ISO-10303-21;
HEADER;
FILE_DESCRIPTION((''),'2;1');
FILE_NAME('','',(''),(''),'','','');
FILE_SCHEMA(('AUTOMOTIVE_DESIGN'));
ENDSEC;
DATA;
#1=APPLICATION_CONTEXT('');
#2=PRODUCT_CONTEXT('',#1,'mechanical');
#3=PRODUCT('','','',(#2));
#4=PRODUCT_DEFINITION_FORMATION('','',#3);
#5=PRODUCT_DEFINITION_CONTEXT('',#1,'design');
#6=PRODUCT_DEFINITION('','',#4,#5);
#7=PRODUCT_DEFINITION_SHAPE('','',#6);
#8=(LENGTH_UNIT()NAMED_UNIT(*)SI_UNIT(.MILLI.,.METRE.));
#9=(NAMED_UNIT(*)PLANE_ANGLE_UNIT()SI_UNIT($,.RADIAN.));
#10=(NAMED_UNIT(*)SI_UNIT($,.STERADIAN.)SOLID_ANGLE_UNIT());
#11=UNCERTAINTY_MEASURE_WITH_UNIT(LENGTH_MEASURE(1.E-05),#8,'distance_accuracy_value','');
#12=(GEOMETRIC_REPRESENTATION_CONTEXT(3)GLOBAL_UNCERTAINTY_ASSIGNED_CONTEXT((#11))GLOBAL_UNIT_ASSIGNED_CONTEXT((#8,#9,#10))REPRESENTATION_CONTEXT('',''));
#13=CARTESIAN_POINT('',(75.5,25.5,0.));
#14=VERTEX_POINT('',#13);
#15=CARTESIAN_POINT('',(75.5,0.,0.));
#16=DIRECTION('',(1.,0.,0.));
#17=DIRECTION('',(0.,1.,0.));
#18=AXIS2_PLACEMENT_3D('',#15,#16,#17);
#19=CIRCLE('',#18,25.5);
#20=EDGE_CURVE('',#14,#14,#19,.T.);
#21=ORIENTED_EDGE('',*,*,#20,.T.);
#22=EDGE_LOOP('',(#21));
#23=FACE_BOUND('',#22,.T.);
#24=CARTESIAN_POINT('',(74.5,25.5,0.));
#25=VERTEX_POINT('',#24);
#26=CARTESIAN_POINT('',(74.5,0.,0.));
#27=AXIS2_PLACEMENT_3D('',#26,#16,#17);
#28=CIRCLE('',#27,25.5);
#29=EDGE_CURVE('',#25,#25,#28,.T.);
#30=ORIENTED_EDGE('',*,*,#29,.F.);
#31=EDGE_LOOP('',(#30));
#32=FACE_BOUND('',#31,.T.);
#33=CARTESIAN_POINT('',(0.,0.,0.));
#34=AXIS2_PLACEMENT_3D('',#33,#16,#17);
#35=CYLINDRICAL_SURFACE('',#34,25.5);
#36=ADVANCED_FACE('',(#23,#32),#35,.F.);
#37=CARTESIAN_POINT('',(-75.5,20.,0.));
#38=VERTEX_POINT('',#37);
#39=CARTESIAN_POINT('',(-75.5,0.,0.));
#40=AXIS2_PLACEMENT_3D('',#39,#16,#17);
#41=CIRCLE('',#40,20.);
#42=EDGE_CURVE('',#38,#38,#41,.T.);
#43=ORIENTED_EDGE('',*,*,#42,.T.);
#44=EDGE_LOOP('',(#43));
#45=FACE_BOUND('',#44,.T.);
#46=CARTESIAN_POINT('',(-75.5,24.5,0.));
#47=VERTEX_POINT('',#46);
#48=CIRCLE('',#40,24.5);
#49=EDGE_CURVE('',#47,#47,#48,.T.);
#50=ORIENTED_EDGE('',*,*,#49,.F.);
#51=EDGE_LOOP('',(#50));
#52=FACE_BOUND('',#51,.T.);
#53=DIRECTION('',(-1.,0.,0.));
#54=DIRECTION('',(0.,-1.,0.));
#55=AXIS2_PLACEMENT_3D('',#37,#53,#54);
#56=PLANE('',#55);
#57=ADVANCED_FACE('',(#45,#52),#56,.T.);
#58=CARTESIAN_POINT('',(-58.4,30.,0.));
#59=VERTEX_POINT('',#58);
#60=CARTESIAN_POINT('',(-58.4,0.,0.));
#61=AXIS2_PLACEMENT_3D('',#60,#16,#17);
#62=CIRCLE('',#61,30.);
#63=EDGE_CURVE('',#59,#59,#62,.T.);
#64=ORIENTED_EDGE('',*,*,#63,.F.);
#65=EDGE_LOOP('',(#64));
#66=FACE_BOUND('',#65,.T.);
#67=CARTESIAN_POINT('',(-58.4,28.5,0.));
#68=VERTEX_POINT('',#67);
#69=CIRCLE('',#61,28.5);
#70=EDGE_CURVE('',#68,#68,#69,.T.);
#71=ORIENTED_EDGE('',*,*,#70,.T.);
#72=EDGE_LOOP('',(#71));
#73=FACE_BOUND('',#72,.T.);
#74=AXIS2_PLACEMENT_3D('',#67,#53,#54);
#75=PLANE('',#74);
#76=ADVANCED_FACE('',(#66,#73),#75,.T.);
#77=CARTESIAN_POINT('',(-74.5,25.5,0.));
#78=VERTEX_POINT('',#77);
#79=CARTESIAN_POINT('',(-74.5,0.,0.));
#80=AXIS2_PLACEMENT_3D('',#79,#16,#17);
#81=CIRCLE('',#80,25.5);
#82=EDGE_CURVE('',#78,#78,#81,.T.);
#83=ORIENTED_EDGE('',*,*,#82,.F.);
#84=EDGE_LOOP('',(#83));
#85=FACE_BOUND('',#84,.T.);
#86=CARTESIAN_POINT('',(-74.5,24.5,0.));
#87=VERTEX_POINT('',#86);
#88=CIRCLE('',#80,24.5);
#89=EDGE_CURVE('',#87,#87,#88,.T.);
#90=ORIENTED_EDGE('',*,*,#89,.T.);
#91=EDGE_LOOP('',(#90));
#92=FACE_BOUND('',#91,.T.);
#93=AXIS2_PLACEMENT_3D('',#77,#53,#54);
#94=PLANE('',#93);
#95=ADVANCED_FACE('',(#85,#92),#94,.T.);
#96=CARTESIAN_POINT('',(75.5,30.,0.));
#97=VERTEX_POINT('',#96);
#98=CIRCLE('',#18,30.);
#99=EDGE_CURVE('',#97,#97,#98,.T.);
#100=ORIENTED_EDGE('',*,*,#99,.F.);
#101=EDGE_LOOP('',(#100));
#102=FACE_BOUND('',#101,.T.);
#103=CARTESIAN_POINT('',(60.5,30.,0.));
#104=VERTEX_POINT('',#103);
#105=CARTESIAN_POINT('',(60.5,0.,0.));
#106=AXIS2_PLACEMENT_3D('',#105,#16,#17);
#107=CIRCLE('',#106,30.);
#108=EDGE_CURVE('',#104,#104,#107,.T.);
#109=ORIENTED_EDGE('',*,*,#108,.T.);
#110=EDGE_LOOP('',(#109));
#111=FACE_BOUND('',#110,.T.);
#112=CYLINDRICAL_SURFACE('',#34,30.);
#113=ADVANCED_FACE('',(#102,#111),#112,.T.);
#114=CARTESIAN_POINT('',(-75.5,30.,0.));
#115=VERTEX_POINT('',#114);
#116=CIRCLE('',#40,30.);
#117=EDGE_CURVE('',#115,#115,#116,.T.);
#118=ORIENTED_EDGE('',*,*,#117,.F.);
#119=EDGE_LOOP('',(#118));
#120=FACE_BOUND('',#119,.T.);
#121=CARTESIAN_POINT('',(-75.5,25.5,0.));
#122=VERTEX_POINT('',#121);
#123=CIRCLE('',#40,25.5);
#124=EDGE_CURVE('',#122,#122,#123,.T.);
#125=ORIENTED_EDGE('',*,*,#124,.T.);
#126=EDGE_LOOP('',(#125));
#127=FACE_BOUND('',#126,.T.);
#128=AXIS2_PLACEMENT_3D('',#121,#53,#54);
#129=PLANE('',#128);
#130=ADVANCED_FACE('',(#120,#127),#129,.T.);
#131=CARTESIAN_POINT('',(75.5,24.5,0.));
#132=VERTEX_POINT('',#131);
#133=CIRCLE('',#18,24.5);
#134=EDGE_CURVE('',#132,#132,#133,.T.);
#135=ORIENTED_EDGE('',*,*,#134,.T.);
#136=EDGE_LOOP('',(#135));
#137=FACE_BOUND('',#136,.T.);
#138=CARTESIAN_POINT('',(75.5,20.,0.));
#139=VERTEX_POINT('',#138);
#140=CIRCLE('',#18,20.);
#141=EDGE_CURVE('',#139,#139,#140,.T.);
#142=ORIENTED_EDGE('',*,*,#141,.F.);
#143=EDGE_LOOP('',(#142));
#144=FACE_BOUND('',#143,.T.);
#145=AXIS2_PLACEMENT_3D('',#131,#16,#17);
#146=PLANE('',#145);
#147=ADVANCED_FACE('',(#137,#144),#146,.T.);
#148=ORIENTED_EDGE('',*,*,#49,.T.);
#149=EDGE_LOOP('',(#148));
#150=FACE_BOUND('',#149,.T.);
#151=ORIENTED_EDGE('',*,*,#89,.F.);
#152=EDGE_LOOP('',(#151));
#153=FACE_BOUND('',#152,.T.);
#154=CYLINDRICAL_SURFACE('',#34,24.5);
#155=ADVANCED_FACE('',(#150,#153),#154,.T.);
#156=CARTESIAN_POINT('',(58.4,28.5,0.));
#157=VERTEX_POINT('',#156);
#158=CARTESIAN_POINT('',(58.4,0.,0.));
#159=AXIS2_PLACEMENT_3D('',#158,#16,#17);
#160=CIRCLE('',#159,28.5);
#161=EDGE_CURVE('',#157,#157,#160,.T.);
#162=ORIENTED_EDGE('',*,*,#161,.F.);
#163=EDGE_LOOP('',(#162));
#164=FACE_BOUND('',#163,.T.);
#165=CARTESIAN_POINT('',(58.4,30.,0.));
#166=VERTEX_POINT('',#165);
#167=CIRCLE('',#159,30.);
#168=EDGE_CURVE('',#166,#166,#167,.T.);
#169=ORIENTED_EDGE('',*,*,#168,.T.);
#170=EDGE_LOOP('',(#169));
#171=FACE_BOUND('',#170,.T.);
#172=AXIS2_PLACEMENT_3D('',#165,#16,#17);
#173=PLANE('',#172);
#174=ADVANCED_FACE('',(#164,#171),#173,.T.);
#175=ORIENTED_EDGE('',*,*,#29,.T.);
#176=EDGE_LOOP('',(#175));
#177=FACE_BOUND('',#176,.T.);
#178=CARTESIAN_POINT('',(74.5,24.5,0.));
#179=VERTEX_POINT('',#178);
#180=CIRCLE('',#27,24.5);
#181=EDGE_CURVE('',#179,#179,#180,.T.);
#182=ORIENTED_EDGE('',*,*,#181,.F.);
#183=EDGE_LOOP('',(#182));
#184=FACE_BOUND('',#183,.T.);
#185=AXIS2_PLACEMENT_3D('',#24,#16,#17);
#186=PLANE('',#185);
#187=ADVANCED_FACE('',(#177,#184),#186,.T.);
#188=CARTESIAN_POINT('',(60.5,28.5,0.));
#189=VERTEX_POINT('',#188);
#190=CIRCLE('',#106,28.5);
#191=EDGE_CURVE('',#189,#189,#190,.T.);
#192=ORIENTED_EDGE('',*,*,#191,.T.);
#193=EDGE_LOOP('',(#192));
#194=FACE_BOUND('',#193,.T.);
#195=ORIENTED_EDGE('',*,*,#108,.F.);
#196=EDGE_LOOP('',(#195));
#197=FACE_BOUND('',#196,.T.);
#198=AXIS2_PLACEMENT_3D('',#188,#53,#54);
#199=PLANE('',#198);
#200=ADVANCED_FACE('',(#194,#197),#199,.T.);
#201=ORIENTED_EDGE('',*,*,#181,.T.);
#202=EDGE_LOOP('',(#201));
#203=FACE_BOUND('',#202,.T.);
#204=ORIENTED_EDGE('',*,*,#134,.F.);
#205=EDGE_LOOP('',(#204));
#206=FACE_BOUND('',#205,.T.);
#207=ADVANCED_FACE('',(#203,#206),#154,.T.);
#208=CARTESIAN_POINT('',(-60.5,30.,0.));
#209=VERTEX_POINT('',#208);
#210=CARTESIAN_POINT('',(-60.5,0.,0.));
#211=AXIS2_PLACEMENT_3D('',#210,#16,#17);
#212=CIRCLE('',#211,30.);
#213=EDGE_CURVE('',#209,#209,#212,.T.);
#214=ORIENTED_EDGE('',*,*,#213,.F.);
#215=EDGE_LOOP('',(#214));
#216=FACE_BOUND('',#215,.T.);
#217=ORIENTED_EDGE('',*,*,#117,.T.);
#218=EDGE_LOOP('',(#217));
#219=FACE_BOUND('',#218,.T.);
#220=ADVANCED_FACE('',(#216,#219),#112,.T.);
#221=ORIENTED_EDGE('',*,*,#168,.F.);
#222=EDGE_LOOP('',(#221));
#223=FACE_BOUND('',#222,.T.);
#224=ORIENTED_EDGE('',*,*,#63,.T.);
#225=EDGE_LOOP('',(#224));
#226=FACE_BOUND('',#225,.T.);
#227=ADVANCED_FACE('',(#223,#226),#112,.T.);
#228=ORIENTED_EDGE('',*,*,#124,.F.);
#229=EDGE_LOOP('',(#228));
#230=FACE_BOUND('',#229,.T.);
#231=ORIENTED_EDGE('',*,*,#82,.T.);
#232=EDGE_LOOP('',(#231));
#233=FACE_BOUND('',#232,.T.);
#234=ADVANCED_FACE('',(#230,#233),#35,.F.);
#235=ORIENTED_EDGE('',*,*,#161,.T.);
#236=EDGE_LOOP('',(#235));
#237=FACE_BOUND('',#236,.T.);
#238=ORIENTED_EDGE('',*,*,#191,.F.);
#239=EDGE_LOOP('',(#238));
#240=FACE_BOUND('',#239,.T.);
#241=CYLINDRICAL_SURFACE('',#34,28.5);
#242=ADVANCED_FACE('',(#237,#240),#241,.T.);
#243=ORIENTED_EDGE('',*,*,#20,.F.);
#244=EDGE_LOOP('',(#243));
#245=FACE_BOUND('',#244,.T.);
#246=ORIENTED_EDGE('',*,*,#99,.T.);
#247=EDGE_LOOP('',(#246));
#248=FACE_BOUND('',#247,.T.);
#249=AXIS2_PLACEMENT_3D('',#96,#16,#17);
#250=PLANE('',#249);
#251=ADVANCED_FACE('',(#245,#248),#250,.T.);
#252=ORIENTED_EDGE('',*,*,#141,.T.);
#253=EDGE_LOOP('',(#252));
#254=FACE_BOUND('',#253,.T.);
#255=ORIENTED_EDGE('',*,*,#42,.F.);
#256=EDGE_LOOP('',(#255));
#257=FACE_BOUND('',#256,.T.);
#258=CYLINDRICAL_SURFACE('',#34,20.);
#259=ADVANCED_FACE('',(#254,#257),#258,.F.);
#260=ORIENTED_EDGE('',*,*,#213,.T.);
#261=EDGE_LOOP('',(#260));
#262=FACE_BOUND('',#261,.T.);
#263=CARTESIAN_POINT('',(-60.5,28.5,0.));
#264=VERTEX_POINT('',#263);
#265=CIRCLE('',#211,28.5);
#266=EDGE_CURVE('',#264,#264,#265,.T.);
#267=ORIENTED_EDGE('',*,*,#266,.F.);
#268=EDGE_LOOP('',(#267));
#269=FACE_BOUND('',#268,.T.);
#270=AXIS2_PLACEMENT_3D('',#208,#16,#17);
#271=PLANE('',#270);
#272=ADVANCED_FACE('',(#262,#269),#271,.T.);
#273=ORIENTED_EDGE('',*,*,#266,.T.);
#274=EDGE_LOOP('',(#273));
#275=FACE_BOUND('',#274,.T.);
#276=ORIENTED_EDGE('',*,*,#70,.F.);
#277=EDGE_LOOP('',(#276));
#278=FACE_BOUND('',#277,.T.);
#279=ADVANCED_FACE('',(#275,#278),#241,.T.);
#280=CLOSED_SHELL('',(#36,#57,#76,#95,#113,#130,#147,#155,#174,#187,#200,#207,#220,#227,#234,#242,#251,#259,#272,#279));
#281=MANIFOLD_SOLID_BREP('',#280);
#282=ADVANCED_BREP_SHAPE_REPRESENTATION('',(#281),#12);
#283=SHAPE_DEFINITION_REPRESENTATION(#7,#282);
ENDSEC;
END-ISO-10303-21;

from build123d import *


with BuildPart() as part:
    # Esboço1 → Revolução1 (revolve)
    with BuildSketch(Plane.XY):
        Polygon((-75.5, 30), (-60.5, 30), (-60.5, 28.5), (-58.4, 28.5), (-58.4, 30), (58.4, 30), (58.4, 28.5), (60.5, 28.5), (60.5, 30), (75.5, 30), (75.5, 25.5), (74.5, 25.5), (74.5, 24.5), (75.5, 24.5), (75.5, 20), (-75.5, 20), (-75.5, 24.5), (-74.5, 24.5), (-74.5, 25.5), (-75.5, 25.5), align=None)
    revolve(axis=Axis((0, 0, 0), (-1, 0, 0)))


solid = part.part
